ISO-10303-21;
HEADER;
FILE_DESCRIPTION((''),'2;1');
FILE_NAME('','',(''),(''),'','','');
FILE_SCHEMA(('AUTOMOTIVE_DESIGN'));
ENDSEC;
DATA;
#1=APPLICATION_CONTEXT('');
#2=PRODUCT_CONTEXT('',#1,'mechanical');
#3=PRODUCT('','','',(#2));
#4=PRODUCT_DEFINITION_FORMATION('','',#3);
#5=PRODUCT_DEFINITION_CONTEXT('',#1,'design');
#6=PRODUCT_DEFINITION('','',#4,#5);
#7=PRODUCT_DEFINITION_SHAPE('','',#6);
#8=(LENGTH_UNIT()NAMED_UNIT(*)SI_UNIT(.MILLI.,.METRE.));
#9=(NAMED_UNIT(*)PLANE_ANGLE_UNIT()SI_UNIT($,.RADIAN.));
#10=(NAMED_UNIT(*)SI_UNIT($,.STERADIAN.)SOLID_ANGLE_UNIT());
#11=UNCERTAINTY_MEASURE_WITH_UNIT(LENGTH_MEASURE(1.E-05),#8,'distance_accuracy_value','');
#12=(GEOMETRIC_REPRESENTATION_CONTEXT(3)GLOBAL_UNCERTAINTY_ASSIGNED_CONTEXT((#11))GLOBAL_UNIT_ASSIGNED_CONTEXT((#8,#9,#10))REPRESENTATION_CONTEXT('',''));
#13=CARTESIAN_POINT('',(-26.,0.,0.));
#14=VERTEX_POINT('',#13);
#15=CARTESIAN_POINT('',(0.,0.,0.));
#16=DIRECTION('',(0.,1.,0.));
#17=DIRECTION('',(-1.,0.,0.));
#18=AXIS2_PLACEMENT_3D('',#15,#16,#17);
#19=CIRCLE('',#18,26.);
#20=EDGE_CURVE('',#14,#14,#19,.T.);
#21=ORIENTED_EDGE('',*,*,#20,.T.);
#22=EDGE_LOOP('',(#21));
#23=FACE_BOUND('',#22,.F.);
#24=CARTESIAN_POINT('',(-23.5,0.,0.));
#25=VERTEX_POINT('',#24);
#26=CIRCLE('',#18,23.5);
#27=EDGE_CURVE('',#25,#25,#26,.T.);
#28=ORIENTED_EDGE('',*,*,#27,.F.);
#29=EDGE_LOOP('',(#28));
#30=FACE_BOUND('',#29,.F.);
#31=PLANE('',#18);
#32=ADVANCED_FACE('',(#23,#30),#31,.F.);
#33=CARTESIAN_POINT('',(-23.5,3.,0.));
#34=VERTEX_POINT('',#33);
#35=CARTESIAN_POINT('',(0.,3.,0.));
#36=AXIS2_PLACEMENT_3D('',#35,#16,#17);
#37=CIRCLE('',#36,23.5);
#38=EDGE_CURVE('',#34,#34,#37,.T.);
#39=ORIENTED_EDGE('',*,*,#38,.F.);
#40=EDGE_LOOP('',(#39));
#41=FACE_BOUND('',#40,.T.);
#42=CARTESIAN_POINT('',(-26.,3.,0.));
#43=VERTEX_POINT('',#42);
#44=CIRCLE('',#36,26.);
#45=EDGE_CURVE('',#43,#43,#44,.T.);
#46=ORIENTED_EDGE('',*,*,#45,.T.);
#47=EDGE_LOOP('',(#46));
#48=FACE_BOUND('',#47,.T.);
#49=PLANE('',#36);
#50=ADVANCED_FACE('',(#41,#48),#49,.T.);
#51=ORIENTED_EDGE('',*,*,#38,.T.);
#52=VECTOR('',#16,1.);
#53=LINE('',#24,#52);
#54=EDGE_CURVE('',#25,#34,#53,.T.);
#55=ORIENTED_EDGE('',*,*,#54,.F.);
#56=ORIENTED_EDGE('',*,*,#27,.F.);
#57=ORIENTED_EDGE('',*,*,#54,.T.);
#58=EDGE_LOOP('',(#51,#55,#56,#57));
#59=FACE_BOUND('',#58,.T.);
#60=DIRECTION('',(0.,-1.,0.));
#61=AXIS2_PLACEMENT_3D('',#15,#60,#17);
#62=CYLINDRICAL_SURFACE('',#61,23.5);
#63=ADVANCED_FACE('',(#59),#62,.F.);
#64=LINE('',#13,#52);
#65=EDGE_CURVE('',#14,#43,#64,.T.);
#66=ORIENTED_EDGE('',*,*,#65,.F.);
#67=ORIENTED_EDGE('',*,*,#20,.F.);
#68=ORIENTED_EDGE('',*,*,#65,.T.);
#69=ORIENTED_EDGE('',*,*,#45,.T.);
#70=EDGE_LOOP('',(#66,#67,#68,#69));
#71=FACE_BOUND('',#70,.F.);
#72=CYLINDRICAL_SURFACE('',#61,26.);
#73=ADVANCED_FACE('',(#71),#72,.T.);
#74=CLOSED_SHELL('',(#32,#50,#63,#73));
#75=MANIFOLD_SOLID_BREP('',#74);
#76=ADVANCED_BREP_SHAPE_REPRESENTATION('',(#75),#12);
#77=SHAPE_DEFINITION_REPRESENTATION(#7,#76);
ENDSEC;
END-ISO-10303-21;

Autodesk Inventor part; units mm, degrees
ref_plane "YZ Plane" through (0, 0, 0) normal (1, 0, 0) x (0, 1, 0)
ref_plane "XZ Plane" through (0, 0, 0) normal (0, 1, 0) x (-1, 0, 0)
ref_plane "XY Plane" through (0, 0, 0) normal (0, 0, 1) x (1, 0, 0)
sketch "Sketch1" plane through (0, 0, 0) normal (0, 1, 0) x (-1, 0, 0)
  circle A0 centre (0, 0) radius 23.5
  circle A1 centre (0, 0) radius 26
  dimension "d0" = 47
  dimension "d1" = 52
extrude "Extrusion1" add sketch "Sketch1" along normal blind 3
properties part number "hip_ring"
